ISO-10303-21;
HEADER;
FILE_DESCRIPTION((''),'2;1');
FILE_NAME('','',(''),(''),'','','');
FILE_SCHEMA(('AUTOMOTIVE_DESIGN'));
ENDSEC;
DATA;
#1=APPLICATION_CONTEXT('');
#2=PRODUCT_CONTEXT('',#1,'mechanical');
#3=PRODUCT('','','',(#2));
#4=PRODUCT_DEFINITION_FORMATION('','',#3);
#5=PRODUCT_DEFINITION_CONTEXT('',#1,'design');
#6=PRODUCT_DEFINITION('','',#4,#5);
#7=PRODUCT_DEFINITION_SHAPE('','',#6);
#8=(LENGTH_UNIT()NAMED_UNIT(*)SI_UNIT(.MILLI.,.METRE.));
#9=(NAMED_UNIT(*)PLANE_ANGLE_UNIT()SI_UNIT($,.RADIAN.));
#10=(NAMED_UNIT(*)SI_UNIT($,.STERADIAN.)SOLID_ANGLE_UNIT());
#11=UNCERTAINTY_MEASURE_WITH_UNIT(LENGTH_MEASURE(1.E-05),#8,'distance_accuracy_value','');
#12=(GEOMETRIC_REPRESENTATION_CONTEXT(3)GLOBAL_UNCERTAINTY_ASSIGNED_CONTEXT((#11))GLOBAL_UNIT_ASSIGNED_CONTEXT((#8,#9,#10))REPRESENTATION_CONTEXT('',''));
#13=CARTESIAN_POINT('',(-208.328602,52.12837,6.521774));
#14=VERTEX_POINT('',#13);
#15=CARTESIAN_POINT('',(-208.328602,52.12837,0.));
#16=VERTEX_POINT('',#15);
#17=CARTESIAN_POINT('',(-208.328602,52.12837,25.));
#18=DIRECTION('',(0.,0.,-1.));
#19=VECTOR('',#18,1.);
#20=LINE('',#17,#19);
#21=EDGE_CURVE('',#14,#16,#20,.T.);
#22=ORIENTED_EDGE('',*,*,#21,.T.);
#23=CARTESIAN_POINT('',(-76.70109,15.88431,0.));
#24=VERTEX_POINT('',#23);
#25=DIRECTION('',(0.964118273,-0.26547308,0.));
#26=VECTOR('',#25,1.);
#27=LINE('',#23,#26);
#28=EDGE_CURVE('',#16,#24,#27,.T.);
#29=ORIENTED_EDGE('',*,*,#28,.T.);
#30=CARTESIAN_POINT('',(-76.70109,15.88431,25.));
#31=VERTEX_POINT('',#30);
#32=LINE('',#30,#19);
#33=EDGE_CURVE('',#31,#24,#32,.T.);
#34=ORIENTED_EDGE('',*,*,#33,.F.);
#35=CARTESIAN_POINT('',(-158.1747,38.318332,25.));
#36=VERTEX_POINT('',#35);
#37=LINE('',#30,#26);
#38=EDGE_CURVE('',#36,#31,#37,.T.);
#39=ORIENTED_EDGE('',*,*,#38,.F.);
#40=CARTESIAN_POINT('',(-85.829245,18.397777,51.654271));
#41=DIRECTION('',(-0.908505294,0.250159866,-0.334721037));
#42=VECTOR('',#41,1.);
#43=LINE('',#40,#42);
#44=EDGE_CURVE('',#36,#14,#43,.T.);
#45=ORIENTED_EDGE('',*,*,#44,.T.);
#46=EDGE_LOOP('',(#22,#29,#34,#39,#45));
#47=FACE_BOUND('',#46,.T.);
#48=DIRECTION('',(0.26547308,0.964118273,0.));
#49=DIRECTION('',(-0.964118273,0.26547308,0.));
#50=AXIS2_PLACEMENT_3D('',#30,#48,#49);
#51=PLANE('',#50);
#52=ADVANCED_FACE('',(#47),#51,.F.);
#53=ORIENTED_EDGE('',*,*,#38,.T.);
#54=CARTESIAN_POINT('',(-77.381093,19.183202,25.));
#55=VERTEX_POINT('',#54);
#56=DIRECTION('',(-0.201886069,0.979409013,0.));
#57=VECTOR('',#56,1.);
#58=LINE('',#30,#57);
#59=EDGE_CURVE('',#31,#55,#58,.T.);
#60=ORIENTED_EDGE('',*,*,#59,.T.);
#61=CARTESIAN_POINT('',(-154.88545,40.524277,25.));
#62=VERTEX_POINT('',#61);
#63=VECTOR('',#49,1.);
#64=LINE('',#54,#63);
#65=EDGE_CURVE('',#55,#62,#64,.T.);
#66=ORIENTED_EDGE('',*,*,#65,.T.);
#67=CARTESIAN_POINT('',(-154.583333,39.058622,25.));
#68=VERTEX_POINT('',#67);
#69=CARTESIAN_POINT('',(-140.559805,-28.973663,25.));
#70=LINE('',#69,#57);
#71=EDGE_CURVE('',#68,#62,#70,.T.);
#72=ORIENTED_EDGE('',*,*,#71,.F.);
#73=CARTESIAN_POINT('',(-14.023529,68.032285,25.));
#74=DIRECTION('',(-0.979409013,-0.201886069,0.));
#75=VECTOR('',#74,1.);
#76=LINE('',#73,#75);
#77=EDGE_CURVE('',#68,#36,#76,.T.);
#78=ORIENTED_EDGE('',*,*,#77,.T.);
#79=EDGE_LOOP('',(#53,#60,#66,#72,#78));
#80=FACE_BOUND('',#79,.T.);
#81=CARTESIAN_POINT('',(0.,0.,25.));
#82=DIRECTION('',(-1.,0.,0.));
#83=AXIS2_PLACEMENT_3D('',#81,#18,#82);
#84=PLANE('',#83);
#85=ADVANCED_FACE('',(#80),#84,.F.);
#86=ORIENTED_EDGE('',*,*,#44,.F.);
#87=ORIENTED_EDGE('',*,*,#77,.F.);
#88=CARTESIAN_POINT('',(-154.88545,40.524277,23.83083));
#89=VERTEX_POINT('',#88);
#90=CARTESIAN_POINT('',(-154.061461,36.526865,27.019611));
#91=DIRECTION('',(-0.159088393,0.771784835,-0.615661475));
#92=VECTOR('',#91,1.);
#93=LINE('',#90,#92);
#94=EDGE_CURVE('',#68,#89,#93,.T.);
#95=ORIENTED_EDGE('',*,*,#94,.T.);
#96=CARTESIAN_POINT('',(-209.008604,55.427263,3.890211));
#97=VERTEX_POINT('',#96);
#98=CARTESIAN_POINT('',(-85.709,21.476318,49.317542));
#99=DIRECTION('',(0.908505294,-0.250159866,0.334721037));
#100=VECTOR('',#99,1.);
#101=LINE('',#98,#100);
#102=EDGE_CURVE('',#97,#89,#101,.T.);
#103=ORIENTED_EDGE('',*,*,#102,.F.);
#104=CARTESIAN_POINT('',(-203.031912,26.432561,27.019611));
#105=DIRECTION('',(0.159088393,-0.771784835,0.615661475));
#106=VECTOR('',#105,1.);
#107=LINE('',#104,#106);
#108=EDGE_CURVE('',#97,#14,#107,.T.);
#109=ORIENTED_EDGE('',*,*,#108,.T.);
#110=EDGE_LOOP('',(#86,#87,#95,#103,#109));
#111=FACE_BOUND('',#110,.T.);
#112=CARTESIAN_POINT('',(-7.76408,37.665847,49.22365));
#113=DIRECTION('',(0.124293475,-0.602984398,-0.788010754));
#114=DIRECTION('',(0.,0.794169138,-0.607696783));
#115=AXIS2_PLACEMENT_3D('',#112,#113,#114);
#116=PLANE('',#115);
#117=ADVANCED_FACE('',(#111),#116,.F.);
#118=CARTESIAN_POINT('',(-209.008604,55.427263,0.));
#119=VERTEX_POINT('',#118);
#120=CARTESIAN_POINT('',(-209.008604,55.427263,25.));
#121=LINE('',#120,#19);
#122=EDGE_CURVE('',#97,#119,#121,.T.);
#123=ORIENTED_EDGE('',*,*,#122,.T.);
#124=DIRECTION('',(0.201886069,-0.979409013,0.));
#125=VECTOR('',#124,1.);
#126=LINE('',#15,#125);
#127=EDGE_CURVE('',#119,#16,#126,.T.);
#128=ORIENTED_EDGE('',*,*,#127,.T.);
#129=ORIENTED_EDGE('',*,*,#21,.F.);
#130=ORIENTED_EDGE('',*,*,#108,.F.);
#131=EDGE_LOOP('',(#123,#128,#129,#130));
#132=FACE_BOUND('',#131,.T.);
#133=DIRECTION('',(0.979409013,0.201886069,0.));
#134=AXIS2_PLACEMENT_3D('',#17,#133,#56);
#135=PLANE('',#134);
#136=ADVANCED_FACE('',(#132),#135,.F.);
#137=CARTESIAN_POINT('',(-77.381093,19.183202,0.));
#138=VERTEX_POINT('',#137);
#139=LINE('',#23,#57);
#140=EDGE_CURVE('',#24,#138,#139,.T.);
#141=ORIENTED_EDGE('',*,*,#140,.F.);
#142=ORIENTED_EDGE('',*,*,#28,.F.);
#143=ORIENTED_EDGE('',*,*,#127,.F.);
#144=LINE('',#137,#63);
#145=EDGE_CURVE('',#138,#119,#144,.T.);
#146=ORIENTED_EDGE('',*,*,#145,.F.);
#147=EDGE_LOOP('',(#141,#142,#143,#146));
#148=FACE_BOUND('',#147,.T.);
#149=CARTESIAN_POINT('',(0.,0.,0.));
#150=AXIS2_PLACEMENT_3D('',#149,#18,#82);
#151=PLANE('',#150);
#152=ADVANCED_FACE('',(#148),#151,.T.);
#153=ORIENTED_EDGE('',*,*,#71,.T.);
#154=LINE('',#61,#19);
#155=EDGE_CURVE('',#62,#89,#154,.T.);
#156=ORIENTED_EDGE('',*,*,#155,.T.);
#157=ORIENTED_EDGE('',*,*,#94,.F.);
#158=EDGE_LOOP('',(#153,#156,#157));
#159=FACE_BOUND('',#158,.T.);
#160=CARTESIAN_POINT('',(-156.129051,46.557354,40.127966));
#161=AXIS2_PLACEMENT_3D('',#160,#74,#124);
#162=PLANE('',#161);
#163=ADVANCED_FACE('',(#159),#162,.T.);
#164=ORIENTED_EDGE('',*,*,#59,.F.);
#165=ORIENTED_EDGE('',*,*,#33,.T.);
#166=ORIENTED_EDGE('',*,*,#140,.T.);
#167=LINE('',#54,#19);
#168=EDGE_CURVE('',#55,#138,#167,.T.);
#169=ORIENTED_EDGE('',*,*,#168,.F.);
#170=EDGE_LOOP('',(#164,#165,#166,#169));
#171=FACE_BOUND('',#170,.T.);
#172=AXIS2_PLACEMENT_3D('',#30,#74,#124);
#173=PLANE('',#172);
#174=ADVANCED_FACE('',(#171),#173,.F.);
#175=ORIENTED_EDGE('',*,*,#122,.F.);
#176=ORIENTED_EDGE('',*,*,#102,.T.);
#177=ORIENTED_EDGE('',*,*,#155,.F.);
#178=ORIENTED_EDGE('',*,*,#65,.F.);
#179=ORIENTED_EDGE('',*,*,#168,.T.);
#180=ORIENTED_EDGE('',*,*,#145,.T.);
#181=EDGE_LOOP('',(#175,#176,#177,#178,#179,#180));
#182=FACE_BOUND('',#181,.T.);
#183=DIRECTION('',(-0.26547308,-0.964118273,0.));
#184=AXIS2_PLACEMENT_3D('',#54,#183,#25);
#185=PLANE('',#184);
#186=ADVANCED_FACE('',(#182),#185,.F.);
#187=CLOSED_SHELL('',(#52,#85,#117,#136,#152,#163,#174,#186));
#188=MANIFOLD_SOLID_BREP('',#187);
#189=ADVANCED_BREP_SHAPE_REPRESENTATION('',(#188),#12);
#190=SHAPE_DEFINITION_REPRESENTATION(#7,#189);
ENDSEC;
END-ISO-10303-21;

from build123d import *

# Parameters (mm, degrees)
BOSS_EXTRUDE3_DEPTH = 25
CUT_EXTRUDE1_DEPTH  = 17.63474099


with BuildPart() as part:
    # Sketch6 → Boss-Extrude3 (new body)
    with BuildSketch(Plane.XY):
        Polygon((-76.7010904, 15.884310045), (-77.381092708, 19.183202304), (-209.008603901, 55.427262562), (-208.328601592, 52.128370303), align=None)
    extrude(amount=BOSS_EXTRUDE3_DEPTH)

    # Sketch7 → Cut-Extrude1 (cut, through all)
    with BuildSketch(Plane(origin=(-7.764079932, 37.665847394, 49.223649712), x_dir=(0.992149154, 0.086592284, 0.090232106), z_dir=(-0.124293475, 0.602984398, 0.788010754))):
        Polygon((-196.71104708, 7.314103793), (-147.250967101, 14.642165505), (-153.953814385, 59.882418078), (-203.413894364, 52.554356365), align=None)
    extrude(amount=CUT_EXTRUDE1_DEPTH, mode=Mode.SUBTRACT)


solid = part.part
